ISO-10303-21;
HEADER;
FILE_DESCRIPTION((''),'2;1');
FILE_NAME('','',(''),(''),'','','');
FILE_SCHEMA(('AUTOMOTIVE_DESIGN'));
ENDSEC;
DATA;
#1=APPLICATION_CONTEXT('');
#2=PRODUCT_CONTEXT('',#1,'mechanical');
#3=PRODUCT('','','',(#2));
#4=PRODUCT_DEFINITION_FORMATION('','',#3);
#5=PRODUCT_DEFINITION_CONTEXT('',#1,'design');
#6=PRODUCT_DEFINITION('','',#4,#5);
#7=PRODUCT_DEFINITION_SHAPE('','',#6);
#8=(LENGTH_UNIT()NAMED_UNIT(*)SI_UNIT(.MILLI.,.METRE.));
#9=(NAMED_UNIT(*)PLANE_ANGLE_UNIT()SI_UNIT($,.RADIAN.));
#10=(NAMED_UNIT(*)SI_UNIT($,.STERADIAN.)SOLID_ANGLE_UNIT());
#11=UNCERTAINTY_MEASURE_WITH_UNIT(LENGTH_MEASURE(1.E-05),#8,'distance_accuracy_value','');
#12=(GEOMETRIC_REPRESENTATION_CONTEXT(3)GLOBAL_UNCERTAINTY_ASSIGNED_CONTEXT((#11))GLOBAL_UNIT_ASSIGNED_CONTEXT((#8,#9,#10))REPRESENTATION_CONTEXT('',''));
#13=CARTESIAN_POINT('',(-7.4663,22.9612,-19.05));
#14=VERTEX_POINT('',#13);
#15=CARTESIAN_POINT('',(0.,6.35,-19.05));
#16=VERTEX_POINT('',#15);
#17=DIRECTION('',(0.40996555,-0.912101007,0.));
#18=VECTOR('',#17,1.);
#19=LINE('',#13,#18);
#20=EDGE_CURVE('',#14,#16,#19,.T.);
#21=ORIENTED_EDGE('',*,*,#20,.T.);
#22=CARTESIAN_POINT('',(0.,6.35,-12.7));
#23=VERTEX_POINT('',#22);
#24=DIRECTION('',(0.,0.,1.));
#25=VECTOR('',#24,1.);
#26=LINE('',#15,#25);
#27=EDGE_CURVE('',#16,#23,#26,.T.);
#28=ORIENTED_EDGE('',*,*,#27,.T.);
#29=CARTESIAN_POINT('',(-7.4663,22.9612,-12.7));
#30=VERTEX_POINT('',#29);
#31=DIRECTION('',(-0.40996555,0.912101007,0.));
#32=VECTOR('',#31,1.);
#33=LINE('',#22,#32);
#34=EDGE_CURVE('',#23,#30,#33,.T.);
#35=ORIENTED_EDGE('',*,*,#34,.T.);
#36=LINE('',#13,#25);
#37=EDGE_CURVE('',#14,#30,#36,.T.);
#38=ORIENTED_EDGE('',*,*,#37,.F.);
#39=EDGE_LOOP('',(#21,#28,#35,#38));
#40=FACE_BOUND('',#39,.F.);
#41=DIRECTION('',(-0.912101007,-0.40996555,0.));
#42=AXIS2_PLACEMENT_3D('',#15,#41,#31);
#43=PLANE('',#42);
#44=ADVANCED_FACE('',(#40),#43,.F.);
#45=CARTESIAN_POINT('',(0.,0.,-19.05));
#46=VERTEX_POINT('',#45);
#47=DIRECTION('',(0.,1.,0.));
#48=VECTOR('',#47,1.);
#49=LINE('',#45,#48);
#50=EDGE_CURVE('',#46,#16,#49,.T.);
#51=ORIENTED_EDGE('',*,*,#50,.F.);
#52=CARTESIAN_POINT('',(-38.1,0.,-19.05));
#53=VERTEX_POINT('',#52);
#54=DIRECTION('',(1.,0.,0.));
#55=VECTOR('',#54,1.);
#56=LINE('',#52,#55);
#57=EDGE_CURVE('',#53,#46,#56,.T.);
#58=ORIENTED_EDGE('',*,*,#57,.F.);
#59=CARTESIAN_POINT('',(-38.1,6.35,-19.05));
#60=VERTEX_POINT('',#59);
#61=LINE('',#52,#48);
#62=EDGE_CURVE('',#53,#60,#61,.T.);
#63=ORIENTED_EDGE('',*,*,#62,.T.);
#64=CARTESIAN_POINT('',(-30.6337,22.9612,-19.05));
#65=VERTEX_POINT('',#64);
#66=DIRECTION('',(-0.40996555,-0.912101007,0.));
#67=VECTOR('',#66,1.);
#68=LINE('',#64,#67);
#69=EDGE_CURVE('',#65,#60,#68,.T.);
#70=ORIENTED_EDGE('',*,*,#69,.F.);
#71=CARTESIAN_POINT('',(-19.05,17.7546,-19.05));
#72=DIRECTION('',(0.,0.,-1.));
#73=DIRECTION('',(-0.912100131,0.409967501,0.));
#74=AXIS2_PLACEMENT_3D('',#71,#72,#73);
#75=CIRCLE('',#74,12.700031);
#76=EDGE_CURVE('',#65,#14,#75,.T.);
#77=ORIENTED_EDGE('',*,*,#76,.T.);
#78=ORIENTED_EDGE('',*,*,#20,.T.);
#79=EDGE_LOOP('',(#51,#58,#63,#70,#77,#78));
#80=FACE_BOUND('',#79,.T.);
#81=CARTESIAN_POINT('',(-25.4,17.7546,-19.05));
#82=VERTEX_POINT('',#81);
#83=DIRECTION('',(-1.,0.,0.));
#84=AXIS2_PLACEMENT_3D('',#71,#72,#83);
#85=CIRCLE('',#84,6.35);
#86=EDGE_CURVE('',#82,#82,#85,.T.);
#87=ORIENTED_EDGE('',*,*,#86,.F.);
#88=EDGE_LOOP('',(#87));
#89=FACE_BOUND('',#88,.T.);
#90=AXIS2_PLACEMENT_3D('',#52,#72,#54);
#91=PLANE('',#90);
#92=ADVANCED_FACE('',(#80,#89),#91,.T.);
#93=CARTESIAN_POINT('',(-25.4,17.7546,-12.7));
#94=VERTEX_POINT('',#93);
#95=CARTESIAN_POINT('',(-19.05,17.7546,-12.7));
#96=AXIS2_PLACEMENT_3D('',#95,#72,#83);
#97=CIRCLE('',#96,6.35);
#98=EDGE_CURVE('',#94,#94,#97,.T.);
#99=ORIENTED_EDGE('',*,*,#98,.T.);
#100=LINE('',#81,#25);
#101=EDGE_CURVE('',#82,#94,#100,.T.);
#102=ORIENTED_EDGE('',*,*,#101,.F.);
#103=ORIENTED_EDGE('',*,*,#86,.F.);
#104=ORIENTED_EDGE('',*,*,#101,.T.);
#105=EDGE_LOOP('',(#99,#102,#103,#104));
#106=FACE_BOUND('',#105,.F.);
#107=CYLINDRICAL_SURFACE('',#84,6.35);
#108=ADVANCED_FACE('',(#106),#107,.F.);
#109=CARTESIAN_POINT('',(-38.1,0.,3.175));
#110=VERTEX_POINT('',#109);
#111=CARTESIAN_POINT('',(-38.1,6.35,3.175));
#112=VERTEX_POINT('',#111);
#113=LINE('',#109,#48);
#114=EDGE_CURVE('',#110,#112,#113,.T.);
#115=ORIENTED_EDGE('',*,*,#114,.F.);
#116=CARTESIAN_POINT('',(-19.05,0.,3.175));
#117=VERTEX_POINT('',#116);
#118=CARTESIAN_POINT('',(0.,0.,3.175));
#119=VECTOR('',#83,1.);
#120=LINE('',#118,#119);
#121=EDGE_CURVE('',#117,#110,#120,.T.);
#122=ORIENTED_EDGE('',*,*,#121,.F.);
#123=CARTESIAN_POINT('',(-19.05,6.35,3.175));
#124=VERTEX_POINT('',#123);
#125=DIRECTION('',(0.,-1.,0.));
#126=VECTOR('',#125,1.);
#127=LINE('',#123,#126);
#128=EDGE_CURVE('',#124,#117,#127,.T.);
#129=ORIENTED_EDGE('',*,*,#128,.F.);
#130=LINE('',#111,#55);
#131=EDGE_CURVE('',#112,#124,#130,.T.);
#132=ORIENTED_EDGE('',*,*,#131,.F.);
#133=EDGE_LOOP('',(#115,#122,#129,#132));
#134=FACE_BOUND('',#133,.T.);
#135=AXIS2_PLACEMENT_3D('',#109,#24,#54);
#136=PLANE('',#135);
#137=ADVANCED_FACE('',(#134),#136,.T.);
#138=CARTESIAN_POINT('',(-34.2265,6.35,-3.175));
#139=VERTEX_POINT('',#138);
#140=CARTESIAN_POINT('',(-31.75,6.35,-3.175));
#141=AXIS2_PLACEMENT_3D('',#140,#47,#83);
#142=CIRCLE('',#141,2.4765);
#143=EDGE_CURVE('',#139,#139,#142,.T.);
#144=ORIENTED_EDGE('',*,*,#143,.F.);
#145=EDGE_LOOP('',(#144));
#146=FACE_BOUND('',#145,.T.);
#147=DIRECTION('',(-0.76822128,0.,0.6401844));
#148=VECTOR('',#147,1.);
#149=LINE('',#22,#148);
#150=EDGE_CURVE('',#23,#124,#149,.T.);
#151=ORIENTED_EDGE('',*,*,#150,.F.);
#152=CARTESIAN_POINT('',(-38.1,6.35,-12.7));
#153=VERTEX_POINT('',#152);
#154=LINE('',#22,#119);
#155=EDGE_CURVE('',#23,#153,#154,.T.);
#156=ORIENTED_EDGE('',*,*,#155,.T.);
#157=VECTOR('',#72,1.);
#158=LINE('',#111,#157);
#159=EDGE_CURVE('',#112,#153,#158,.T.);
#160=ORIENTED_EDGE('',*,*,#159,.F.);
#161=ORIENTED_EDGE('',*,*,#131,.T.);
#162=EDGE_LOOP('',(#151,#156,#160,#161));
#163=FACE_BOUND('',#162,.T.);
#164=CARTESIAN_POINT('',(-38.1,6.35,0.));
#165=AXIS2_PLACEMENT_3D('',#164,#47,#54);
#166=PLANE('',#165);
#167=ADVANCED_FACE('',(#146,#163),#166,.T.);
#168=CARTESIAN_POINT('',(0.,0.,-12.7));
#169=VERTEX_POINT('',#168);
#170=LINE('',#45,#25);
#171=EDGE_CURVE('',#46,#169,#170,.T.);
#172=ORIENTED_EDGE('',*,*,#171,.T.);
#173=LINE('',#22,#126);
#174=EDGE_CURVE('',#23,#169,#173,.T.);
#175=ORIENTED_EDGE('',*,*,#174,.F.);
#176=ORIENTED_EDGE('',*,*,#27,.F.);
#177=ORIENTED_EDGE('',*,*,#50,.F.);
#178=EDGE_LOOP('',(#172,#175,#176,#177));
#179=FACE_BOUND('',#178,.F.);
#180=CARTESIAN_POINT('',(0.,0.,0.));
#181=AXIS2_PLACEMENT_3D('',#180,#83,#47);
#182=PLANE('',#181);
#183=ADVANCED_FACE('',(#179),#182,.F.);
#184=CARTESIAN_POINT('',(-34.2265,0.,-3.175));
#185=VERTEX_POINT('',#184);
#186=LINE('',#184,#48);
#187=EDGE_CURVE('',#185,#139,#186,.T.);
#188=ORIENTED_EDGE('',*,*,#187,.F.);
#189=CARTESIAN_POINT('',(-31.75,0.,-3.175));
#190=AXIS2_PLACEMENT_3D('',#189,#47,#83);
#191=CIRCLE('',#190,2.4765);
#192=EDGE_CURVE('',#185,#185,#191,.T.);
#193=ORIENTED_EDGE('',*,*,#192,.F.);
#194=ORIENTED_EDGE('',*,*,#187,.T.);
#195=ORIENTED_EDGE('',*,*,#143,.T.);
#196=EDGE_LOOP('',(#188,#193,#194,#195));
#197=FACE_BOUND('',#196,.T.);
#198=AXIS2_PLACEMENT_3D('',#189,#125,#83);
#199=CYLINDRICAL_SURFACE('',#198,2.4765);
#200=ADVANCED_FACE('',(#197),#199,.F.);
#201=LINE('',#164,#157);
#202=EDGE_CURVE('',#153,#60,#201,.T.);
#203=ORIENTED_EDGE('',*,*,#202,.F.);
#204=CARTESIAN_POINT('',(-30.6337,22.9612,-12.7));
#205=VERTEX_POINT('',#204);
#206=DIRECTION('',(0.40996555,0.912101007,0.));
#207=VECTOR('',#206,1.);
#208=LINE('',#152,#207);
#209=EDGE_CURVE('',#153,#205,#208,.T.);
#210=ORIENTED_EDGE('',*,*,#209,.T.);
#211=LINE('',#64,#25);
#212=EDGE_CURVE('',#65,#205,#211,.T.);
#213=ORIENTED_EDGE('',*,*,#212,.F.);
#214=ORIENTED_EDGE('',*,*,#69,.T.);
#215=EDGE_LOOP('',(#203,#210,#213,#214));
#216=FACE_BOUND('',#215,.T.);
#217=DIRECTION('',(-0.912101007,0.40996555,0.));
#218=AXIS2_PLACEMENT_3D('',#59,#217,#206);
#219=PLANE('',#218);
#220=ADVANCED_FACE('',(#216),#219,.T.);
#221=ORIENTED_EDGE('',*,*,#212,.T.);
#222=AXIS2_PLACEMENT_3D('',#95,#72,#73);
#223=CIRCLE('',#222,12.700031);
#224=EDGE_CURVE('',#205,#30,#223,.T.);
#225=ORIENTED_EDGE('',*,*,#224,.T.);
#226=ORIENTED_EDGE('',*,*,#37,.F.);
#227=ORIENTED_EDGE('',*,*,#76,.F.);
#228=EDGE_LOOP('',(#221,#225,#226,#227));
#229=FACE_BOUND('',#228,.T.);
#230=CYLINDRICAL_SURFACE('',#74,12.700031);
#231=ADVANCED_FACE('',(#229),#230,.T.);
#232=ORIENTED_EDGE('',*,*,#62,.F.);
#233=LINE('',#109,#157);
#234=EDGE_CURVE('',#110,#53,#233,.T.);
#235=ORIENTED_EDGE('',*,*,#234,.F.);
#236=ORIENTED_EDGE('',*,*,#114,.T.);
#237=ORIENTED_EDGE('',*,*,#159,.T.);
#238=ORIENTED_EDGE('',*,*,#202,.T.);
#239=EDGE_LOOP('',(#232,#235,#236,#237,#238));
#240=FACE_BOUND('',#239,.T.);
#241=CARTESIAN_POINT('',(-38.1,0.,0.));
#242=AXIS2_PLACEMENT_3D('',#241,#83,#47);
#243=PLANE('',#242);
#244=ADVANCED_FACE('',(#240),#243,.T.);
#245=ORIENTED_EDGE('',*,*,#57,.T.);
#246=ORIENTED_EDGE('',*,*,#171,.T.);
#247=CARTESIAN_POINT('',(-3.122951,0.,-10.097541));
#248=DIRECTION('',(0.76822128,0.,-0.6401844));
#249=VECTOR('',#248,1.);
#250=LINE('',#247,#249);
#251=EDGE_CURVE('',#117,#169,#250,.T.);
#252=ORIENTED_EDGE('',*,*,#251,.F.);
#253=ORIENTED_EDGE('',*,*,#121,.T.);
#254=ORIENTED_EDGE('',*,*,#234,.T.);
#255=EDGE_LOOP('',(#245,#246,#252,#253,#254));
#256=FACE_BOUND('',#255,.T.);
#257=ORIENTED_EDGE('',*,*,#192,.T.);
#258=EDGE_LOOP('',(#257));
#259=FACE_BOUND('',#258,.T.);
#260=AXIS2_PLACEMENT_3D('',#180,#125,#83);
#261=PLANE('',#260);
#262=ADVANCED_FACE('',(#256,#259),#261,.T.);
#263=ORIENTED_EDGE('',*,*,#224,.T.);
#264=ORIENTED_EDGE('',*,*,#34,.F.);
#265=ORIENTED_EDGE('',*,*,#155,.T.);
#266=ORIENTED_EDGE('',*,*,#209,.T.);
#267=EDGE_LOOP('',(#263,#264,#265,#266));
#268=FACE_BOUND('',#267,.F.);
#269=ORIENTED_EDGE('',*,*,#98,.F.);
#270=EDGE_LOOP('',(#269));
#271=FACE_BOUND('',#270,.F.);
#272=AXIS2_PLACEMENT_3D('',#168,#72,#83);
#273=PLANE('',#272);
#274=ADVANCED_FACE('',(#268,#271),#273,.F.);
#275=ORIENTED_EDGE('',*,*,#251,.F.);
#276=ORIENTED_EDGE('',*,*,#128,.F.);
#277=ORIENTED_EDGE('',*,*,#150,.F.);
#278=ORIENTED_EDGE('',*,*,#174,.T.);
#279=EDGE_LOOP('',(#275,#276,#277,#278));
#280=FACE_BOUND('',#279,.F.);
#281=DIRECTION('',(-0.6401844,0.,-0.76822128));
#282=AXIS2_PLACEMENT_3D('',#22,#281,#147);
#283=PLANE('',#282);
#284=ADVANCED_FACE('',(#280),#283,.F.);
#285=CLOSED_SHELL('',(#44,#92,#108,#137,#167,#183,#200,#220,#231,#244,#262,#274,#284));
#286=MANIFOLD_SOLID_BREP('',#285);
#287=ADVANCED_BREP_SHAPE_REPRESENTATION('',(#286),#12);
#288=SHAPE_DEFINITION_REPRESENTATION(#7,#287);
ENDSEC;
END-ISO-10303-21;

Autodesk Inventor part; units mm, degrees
ref_plane "YZ Plane" through (0, 0, 0) normal (1, 0, 0) x (0, 1, 0)
ref_plane "XZ Plane" through (0, 0, 0) normal (0, 1, 0) x (-1, 0, 0)
ref_plane "XY Plane" through (0, 0, 0) normal (0, 0, 1) x (1, 0, 0)
sketch "Sketch1" plane through (0, 0, 0) normal (0, 1, 0) x (-1, 0, 0)
  line L0 (0, 0) -> (38.1, 0)
  line L1 (38.1, 0) -> (38.1, -19.05)
  line L2 (38.1, -19.05) -> (0, -19.05)
  line L3 (0, -19.05) -> (0, 0)
  circle A0 centre (6.35, -3.175) radius 2.4765
  circle A1 centre (31.75, -3.175) radius 2.4765
  dimension "d0" = 4.953
  dimension "d1" = 4.953
  dimension "d2" = 25.4
  dimension "d3" = 6.35
  dimension "d4" = 3.175
  dimension "d5" = 6.35
  dimension "d6" = 19.05
extrude "Extrusion1" add sketch "Sketch1" along normal blind 6.35
sketch "Sketch2" plane through (0, 0, -19.05) normal (0, 0, -1) x (-1, 0, 0)
  line L0 (38.1, 0) -> (0, 0) projected
  line L1 (38.1, 0) -> (38.1, 6.35) projected
  line L2 (0, 6.35) -> (38.1, 6.35) projected
  line L3 (0, 0) -> (0, 6.35) projected
  circle A0 centre (19.05, 17.7546) radius 14.2748 projected
  circle A1 centre (19.05, 17.7546) radius 6.35
  line L4 (38.1, 6.35) -> (0, 6.35) projected
  line L5 (0, 6.35) -> (7.4663, 22.9612)
  line L6 (38.1, 6.35) -> (30.6337, 22.9612)
  arc A2 (30.6337, 22.9612) -> (7.4663, 22.9612) centre (19.05, 17.7546) ccw
  point P0 (0, 0)
  dimension "d9" = 6.35
  dimension "d10" = 12.7
extrude "Extrusion2" add sketch "Sketch2" against normal blind 6.35 contours L2 A0 L6 | L5 A0 L2 | L2 A0 L5 A2 L6
sketch "Sketch3" plane through (-38.1, 0, 0) normal (0, 0, 1) x (1, 0, 0)
  line L0 (38.1, 0) -> (0, 0) projected
  line L1 (38.1, 0) -> (38.1, 6.35) projected
  line L2 (0, 6.35) -> (38.1, 6.35) projected
  line L3 (0, 0) -> (0, 6.35) projected
extrude "Extrusion3" add sketch "Sketch3" along normal blind 3.175
sketch "Sketch4" plane through (0, 6.35, 0) normal (0, 1, 0) x (1, 0, 0)
  line L0 (0, 12.7) -> (-38.1, 12.7) projected
  line L1 (-38.1, 12.7) -> (-38.1, -3.175) projected
  line L2 (0, -3.175) -> (-38.1, -3.175) projected
  line L3 (0, 12.7) -> (0, -3.175) projected
  circle A0 centre (-6.35, 3.175) radius 2.4765 projected
  circle A1 centre (-31.75, 3.175) radius 2.4765 projected
  line L4 (-38.1, -3.175) -> (0, -3.175) projected
  line L5 (0, 12.7) -> (-19.05, -3.175)
  point P0 (0, 0)
extrude "Extrusion4" cut sketch "Sketch4" against normal blind 25.4 contours L3 L2 L5
equation "\"d5\" = d3"
properties part number "Encoder mount_right"
